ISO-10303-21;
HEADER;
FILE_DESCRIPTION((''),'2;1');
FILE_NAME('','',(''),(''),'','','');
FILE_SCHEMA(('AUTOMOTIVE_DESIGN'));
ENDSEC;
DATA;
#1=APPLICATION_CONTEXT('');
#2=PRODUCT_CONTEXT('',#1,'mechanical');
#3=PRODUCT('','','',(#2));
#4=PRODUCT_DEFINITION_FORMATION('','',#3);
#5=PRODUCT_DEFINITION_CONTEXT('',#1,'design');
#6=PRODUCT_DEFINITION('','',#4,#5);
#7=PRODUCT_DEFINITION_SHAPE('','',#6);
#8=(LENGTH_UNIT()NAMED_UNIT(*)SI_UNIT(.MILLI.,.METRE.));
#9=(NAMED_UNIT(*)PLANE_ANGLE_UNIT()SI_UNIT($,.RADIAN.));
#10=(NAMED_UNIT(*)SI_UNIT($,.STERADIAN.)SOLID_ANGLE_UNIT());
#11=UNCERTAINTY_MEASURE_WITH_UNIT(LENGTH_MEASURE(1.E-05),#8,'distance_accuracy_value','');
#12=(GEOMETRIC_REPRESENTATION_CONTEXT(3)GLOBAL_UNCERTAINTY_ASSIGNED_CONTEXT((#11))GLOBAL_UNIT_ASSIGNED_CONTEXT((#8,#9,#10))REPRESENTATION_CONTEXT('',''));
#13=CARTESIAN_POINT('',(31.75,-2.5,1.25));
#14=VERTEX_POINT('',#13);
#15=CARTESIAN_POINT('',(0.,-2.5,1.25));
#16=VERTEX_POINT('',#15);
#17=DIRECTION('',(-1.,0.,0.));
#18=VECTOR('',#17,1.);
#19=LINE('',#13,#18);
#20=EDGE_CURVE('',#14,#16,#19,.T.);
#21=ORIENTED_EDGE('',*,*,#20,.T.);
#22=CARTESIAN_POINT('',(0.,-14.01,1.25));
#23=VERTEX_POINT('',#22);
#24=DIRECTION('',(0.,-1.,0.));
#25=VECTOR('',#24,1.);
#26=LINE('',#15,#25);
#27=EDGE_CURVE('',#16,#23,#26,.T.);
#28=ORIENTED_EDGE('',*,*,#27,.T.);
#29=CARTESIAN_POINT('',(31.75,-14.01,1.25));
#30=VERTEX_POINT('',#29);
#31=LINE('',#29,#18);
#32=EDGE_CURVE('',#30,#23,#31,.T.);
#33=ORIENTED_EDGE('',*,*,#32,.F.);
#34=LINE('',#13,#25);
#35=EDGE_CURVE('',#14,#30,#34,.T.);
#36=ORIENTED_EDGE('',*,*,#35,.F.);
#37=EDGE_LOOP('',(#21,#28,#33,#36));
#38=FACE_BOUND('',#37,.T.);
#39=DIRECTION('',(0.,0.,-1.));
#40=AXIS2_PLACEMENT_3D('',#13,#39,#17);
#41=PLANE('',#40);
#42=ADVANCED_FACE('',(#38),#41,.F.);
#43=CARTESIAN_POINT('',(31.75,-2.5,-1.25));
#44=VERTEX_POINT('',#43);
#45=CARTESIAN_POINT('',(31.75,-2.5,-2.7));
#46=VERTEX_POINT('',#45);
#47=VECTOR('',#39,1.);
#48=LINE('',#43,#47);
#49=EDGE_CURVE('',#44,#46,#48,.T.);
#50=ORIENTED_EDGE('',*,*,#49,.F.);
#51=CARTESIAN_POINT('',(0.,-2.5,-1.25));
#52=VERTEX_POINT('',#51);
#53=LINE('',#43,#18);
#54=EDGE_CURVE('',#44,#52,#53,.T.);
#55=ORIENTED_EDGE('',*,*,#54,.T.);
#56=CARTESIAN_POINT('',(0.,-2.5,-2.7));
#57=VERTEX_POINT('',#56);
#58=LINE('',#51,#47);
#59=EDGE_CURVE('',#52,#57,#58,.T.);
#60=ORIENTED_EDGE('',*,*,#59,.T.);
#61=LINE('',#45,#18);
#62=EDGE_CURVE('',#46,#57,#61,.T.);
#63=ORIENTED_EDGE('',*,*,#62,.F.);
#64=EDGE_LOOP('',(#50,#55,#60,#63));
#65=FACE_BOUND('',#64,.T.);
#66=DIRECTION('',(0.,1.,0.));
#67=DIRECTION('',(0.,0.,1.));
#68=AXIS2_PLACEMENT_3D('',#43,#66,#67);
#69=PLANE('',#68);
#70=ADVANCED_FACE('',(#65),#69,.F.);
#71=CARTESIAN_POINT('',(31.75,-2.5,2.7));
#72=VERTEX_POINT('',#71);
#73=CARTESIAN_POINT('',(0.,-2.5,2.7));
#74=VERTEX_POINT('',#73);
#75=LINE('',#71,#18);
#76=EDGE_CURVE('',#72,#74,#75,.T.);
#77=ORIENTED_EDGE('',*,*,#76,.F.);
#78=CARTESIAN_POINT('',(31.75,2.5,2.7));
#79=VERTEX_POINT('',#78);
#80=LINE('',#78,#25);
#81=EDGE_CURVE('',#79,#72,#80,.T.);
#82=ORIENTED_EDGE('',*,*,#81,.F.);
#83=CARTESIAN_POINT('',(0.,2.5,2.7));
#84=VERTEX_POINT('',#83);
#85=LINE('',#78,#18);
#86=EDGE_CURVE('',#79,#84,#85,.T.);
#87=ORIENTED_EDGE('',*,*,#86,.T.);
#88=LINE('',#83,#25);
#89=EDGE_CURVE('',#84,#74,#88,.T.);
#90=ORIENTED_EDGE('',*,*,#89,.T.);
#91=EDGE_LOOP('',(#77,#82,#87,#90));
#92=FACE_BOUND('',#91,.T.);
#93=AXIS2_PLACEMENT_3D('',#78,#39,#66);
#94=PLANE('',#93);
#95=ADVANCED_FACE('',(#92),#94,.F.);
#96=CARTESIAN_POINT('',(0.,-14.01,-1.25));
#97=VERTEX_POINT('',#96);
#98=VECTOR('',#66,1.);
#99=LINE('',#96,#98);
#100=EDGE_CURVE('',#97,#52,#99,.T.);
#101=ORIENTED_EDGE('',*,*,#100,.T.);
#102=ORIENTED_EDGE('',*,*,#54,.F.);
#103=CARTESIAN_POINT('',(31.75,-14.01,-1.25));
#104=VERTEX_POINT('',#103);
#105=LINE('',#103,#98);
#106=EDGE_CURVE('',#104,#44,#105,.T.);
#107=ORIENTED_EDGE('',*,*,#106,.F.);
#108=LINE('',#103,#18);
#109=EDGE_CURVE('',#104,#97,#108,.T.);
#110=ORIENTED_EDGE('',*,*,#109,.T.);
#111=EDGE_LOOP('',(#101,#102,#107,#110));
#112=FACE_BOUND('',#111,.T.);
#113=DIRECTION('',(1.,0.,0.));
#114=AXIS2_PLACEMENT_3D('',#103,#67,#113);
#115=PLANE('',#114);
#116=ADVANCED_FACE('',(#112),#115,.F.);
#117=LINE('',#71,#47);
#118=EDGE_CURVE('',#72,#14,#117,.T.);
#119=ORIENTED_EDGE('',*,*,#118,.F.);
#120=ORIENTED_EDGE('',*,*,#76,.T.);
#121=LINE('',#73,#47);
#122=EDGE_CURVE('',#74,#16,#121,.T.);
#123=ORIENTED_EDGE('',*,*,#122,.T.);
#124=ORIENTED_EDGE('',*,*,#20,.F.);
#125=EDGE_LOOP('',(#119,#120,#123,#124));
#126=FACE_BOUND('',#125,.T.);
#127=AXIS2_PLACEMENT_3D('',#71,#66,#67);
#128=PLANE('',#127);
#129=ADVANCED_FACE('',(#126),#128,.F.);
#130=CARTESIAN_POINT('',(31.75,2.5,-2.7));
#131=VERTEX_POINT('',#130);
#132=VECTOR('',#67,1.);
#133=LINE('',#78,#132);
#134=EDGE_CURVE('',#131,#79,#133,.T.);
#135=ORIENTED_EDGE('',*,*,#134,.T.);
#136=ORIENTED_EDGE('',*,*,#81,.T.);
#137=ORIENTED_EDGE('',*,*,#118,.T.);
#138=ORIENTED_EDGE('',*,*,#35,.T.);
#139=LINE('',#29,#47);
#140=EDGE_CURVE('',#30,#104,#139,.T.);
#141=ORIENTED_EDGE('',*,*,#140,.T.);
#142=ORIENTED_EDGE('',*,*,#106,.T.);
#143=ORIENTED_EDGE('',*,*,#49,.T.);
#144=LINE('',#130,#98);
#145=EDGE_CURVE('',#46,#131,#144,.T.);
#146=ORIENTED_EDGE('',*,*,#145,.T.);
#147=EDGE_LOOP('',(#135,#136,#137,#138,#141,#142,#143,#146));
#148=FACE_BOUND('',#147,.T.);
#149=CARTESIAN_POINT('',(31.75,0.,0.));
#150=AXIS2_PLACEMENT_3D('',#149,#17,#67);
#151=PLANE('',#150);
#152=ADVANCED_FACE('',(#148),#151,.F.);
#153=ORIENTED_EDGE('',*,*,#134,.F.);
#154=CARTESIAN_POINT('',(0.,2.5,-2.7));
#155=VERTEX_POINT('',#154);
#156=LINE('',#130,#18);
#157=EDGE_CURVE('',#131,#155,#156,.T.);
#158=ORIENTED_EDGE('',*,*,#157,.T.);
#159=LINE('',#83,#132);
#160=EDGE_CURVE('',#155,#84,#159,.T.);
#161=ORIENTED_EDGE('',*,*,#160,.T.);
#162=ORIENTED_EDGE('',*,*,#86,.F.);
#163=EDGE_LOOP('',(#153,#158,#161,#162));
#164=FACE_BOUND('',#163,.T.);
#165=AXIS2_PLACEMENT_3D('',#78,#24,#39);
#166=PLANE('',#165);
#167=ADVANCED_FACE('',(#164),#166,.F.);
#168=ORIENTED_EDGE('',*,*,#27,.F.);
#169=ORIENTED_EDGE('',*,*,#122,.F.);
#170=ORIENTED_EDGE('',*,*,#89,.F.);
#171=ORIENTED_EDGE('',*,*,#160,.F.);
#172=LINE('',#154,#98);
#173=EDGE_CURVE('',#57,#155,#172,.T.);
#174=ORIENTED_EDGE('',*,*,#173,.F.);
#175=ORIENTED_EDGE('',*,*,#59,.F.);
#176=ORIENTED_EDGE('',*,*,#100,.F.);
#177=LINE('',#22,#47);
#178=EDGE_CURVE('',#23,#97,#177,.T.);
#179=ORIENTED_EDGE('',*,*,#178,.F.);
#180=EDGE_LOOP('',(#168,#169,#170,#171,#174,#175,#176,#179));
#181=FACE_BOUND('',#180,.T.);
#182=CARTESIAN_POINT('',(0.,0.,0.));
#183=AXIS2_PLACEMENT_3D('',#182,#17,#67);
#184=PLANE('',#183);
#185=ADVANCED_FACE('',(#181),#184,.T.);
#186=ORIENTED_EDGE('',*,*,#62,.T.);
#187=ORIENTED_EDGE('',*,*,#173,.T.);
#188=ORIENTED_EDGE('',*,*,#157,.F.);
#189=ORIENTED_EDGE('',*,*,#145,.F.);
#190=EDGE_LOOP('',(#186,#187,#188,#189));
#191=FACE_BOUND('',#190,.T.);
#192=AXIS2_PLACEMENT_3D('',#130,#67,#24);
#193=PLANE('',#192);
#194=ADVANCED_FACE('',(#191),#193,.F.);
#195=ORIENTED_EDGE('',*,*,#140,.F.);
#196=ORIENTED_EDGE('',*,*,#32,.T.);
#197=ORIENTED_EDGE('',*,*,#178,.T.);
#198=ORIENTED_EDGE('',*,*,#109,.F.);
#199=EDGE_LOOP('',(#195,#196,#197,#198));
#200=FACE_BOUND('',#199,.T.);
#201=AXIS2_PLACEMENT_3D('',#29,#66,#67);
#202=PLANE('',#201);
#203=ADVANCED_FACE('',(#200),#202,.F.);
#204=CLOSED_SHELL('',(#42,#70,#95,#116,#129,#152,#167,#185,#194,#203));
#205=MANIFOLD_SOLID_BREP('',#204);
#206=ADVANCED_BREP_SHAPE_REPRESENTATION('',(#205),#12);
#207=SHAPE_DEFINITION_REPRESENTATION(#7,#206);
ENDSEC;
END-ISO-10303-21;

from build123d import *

# Parameters (mm, degrees)
BOSS_EXTRUDE1_DEPTH = 31.75


with BuildPart() as part:
    # Sketch1 → Boss-Extrude1 (new body)
    with BuildSketch(Plane(origin=(0, 0, 0), x_dir=(0, 0, -1), z_dir=(1, 0, 0))):
        Polygon((-1.25, -2.5), (-1.25, -14.01), (1.25, -14.01), (1.25, -2.5), (2.7, -2.5), (2.7, 2.5), (-2.7, 2.5), (-2.7, -2.5), align=None)
    extrude(amount=BOSS_EXTRUDE1_DEPTH)


solid = part.part
